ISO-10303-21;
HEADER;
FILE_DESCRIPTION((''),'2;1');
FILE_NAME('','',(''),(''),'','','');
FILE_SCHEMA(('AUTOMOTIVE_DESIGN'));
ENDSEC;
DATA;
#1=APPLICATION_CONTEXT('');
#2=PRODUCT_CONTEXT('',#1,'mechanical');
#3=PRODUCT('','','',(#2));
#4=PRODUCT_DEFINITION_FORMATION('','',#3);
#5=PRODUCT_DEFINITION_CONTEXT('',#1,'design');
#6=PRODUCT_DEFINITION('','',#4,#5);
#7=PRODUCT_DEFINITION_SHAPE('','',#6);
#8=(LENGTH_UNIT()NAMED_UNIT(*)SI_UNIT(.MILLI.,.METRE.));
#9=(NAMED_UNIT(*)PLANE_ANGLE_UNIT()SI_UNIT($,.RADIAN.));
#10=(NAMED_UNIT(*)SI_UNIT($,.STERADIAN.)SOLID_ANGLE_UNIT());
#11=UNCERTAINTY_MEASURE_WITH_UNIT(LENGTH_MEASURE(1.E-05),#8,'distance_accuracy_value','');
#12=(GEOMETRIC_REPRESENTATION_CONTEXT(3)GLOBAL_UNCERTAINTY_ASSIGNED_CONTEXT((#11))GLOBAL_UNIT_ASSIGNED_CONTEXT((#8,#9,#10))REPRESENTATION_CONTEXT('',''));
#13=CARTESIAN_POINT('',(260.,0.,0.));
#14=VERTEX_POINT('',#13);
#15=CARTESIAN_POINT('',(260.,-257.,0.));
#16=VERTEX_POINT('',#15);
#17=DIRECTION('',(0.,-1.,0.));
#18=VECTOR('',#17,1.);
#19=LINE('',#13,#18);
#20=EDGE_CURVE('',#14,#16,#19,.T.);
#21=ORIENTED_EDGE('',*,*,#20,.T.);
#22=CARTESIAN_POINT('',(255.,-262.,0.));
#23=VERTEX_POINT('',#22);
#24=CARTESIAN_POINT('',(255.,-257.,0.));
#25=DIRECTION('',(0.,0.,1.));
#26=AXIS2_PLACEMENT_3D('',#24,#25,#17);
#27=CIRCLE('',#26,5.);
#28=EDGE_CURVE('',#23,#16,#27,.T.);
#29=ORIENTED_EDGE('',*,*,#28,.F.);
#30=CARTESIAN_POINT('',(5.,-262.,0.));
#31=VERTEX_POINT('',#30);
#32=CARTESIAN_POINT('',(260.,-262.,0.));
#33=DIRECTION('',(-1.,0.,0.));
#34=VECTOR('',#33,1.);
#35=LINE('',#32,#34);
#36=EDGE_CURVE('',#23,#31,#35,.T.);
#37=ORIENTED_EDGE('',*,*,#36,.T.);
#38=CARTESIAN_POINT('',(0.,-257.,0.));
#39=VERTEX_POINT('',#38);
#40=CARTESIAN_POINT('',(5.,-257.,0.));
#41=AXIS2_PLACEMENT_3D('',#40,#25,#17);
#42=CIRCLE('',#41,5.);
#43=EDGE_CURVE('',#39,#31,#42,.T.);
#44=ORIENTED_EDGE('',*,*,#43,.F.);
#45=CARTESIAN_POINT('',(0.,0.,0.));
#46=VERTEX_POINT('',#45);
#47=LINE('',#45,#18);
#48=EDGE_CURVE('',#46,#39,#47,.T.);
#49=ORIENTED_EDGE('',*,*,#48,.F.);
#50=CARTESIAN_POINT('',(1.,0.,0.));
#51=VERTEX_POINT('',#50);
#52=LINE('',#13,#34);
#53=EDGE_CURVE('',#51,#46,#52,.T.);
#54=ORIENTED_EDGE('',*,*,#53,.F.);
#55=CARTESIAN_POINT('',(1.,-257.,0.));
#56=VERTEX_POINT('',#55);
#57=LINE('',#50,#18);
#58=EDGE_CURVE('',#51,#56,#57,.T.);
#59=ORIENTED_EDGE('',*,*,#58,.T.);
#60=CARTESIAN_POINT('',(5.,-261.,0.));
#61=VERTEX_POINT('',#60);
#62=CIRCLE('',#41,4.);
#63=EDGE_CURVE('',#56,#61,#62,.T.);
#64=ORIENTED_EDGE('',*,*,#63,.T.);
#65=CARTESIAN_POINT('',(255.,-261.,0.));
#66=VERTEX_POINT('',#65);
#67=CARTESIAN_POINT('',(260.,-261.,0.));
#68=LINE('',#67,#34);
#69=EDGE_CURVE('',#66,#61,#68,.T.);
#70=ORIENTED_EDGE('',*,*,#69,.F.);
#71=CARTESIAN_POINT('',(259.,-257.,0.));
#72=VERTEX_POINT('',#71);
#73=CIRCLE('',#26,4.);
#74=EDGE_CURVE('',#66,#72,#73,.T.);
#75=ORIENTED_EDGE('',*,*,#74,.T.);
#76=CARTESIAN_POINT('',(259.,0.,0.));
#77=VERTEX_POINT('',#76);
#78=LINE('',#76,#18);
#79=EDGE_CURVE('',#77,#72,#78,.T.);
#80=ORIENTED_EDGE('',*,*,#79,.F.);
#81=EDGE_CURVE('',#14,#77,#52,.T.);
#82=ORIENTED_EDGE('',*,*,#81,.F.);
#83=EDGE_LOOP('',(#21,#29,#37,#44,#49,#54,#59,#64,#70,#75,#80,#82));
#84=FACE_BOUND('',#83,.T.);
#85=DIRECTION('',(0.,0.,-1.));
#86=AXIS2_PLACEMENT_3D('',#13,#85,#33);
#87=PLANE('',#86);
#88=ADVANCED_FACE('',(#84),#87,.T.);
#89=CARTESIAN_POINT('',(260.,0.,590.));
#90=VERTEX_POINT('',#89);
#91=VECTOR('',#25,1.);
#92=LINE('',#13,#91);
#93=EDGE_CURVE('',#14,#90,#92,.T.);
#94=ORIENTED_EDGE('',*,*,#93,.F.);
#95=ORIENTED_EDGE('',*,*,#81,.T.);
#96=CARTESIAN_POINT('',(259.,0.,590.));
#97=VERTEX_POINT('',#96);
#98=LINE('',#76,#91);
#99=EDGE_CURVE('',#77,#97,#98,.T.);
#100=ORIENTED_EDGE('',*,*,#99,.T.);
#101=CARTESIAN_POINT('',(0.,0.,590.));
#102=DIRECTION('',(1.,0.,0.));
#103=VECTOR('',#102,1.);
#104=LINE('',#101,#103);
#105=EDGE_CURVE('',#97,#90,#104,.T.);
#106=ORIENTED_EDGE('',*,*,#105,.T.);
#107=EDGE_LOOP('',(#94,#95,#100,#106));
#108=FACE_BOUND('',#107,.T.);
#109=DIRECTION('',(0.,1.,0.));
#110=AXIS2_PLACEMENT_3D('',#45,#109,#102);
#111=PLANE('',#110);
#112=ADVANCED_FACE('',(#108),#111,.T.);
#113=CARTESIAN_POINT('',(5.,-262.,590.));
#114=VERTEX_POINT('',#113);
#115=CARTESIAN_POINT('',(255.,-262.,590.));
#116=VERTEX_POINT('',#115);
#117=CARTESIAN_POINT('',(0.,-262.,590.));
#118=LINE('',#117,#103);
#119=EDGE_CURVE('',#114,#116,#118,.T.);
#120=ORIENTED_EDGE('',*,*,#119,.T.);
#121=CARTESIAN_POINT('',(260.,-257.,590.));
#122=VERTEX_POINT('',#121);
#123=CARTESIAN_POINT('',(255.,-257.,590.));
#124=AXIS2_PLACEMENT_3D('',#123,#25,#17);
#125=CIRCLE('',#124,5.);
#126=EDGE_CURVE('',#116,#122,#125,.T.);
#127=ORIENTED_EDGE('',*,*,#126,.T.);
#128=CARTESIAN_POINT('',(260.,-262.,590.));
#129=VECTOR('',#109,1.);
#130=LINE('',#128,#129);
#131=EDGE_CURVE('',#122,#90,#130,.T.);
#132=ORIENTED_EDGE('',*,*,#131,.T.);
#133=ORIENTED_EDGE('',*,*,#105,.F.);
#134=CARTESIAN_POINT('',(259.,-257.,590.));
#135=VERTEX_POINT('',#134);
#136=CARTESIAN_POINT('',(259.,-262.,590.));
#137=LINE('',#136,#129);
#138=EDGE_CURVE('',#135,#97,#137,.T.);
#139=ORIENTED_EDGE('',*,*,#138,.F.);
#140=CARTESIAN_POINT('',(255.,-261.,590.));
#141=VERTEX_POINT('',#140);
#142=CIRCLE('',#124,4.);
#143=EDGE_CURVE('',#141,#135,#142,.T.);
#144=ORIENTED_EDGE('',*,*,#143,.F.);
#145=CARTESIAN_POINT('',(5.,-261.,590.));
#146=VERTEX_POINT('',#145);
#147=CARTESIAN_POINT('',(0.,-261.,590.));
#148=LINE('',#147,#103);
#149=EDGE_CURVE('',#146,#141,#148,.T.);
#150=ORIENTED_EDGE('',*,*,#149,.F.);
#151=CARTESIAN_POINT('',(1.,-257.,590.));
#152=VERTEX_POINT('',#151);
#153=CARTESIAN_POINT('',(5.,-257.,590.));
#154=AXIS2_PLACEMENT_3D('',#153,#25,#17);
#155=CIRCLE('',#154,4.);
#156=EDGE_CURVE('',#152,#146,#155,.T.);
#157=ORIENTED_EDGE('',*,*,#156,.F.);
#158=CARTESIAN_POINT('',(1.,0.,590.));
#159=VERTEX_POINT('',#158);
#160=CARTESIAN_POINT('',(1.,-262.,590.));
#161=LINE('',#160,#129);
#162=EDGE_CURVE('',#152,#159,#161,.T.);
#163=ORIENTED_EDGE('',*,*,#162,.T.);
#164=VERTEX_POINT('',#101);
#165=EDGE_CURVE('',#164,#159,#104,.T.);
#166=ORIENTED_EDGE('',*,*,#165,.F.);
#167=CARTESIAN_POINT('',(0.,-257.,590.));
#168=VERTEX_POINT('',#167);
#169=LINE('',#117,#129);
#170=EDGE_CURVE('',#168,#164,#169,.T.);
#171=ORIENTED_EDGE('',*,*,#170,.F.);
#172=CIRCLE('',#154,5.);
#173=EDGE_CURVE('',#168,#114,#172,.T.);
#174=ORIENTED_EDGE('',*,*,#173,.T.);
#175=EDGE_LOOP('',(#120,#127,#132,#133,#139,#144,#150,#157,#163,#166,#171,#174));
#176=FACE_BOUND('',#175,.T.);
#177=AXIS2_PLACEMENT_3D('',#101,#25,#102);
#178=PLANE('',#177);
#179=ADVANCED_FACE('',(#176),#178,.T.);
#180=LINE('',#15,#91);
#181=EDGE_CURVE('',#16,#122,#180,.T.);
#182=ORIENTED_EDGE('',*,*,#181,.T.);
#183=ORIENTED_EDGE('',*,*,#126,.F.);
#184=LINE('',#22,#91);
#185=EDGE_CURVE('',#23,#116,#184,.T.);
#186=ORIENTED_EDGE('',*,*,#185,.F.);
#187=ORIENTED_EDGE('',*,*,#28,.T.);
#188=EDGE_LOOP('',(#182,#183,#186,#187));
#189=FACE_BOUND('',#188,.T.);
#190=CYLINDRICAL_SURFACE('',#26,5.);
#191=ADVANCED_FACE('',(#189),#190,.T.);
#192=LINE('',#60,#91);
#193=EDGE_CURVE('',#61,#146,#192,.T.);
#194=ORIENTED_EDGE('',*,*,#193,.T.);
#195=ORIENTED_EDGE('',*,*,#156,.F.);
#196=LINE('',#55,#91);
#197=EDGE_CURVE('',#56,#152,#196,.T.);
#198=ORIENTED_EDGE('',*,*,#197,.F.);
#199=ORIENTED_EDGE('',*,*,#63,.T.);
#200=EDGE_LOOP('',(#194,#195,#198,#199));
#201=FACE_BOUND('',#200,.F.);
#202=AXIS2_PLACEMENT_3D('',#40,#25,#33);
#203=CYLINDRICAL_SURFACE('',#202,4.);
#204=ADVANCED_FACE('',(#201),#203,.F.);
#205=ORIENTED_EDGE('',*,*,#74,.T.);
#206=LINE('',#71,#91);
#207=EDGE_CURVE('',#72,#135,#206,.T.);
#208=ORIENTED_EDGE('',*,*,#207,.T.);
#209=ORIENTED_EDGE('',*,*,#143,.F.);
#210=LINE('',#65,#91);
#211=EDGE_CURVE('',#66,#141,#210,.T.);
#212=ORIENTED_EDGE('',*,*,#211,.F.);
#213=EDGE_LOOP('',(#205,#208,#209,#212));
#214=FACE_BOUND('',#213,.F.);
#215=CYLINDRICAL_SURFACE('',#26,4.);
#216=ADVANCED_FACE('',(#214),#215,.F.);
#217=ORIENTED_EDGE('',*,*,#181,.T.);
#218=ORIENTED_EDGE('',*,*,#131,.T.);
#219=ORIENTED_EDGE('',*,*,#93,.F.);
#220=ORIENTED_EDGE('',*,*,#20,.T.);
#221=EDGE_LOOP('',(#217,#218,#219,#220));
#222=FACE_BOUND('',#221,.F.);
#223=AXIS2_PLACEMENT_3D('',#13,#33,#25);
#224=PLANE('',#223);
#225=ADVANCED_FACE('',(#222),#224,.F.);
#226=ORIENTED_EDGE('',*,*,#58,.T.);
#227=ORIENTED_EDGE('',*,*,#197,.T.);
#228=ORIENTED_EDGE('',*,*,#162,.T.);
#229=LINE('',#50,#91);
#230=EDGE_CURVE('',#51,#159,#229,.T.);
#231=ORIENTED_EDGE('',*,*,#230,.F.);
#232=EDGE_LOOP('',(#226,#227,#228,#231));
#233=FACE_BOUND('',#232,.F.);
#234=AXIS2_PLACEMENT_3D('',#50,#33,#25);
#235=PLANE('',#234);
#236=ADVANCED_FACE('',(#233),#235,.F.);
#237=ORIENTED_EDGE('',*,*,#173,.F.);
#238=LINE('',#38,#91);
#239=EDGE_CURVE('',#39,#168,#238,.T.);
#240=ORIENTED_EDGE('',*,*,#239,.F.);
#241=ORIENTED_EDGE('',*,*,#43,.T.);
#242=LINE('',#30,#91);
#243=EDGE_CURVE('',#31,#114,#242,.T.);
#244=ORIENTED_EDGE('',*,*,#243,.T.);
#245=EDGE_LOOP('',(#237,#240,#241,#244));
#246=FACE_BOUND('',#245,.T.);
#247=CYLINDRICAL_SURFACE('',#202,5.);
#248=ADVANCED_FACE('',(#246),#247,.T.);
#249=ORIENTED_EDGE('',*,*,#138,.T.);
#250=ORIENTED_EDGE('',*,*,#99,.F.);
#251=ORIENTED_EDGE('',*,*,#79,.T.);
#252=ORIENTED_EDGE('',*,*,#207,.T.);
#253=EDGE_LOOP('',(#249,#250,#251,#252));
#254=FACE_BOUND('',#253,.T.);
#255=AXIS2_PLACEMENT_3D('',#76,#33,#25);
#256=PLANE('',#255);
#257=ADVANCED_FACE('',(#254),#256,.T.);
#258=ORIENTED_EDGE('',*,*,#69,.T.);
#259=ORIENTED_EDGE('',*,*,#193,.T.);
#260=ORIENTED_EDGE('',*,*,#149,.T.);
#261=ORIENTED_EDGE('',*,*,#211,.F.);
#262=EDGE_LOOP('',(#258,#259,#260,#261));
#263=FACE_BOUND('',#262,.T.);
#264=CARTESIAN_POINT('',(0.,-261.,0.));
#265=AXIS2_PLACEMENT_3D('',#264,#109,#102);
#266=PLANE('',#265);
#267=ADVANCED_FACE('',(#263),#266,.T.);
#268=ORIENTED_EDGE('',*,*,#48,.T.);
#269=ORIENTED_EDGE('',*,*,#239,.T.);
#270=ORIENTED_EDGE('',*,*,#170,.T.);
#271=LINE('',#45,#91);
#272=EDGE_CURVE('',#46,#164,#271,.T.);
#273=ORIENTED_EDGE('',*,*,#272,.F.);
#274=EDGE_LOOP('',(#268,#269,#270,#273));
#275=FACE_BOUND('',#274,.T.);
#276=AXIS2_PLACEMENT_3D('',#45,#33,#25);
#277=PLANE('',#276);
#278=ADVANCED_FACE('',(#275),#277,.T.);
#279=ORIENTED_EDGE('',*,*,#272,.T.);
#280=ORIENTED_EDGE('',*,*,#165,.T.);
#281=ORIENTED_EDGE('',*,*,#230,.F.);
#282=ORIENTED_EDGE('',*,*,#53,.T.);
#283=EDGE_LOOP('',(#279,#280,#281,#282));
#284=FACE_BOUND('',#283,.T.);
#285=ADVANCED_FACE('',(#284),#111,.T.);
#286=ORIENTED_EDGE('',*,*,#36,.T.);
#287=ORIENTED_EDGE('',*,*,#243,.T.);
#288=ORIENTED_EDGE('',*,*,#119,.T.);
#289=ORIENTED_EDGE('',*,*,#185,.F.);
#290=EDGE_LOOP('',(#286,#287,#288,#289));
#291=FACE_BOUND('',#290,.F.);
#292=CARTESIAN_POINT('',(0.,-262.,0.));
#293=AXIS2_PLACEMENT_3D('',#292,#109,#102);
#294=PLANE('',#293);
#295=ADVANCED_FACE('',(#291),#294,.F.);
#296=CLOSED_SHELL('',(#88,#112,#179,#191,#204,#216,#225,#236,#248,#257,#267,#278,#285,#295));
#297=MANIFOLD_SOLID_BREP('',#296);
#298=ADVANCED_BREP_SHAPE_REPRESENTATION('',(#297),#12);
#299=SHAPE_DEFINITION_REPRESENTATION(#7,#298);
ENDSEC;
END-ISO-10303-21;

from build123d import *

# Parameters (mm, degrees)
F0_W     = 60.5891123414
F0_H     = 39.380852133
F1_DEPTH = 590
F2_DEPTH = 260
F3_DEPTH = 262
F4_R     = 5
F5_T     = -1


with BuildPart() as f1:
    # F0 (on Top) → F1 (new body)
    with BuildSketch(Plane.XY):
        with Locations((30.2945561707, -19.6904260665)):
            Rectangle(F0_W, F0_H)
    extrude(amount=F1_DEPTH)

    # F2 (add): a face of the model
    f2_faces = [f1.faces().sort_by_distance(p)[0] for p in [
        (0, -19.6904260665, 295),
    ]]
    extrude(f2_faces, amount=-F2_DEPTH)

    # F3 (add): a face of the model
    f3_faces = [f1.faces().sort_by_distance(p)[0] for p in [
        (130, 0, 295),
    ]]
    extrude(f3_faces, amount=-F3_DEPTH)

    # F4
    f4_edges = [f1.edges().sort_by_distance(p)[0] for p in [
        (0, -262, 295),
        (260, -262, 295),
    ]]
    fillet(f4_edges, radius=F4_R)

    # F5
    f5_openings = [f1.faces().sort_by_distance(p)[0] for p in [
        (130, -130.979538, 590),
        (130, 0, 295),
        (130, -130.979538, 0),
    ]]
    offset(amount=F5_T, openings=f5_openings)


solid = f1.part
